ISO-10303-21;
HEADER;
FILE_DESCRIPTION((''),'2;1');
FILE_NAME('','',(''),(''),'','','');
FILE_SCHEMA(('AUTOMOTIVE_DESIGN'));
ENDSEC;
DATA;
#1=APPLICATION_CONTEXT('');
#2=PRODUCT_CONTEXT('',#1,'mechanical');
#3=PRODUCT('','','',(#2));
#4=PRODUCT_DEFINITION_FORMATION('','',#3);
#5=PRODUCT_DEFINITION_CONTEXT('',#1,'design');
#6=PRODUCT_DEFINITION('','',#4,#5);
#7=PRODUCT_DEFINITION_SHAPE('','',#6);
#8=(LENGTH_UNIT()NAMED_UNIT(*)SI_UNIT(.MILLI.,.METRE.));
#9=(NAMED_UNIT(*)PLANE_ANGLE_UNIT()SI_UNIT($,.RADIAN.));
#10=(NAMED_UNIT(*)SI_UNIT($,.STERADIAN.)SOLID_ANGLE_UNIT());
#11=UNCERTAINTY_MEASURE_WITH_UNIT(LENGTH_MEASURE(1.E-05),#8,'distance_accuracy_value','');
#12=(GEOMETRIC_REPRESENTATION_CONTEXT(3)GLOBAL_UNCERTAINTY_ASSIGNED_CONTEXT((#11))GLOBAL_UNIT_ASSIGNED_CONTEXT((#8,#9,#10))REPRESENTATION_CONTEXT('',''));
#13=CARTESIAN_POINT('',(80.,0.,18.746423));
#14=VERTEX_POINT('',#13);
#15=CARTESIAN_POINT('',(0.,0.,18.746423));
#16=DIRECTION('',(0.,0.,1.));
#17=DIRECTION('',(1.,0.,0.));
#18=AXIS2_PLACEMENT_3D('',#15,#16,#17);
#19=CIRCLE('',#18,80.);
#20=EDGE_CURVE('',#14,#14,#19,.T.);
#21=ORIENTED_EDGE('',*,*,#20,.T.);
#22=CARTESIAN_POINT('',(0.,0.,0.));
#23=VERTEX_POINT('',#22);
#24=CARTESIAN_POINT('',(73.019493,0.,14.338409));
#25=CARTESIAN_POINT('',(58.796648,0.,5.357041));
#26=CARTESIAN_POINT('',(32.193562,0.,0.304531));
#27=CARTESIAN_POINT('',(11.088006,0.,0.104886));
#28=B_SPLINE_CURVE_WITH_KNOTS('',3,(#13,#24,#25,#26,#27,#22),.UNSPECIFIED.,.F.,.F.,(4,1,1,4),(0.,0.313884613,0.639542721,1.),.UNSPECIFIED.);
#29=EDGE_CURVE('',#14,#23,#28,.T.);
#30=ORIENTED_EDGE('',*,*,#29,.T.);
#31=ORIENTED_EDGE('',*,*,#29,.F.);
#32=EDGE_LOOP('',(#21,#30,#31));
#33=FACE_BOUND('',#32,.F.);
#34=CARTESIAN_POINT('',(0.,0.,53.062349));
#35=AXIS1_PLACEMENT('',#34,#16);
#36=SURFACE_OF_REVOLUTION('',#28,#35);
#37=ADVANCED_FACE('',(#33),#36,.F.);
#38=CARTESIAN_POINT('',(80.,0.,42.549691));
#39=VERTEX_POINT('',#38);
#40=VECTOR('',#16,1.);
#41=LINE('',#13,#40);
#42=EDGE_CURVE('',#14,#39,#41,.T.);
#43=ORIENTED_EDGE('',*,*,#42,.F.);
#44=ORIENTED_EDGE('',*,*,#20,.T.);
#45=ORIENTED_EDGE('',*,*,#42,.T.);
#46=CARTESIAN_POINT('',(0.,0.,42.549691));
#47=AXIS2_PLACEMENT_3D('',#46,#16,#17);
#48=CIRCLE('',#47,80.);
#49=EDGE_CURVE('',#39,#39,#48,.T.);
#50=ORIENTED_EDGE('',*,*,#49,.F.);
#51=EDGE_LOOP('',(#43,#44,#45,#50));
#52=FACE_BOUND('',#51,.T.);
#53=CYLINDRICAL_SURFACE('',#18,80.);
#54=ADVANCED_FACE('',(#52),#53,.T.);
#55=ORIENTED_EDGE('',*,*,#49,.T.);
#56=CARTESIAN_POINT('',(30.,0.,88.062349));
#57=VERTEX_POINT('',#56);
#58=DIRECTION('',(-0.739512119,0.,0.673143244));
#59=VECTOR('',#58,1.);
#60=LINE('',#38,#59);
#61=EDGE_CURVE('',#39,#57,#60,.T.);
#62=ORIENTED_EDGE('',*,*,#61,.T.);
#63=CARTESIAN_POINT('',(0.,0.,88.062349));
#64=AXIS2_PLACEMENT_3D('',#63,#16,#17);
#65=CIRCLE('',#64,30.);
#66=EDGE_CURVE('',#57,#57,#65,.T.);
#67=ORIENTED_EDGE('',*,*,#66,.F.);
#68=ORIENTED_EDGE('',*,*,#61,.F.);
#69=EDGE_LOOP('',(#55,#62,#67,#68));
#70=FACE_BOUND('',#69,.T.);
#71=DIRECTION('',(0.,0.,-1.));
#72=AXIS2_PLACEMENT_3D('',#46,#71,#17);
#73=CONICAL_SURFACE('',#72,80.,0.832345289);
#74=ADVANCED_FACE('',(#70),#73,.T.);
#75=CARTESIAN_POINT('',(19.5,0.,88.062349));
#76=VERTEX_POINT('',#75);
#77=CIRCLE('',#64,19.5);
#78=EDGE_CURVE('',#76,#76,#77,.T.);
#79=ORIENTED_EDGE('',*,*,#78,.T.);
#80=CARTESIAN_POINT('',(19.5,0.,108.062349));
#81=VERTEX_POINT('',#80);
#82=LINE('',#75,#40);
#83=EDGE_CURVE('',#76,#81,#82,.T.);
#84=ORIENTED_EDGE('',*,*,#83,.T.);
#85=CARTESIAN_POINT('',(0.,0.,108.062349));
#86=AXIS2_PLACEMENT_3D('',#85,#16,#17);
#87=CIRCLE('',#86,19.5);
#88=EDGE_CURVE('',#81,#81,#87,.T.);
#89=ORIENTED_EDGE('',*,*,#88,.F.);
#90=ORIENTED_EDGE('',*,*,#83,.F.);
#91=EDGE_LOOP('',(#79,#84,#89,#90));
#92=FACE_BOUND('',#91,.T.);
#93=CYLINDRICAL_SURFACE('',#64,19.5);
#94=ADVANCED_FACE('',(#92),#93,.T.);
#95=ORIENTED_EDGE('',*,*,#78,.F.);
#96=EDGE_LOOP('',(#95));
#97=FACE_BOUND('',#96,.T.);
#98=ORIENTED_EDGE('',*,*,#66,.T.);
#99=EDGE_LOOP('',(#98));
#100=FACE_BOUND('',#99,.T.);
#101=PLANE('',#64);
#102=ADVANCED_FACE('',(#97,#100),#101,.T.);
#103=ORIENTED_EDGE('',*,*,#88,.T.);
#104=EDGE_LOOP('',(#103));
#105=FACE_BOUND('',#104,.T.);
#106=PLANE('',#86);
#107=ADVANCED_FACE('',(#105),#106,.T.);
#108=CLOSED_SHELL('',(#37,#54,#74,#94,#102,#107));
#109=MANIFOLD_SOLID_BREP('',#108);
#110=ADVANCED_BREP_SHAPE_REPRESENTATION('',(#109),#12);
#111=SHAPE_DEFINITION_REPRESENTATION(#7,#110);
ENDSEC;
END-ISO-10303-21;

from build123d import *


with BuildPart() as f1:
    # F0 (on Front) → F1 (revolve)
    with BuildSketch(Plane.XZ):
        with BuildLine():
            Line((19.5, 108.0623489583), (0, 108.0623489583))
            Line((0, 108.0623489583), (0, 0))
            add(Edge.make_bspline(
                [(80, 18.7464226037), (73.0194932148, 14.338408724), (58.7966478818, 5.3570408138), (32.1935615261, 0.3045307406), (11.0880056096, 0.1048855237), (0, 0)],
                knots=[0, 0, 0, 0, 0.3138846129, 0.6395427209, 1, 1, 1, 1], degree=3))
            Line((80, 18.7464226037), (80, 42.5496909022))
            Line((80, 42.5496909022), (30, 88.0623489583))
            Line((30, 88.0623489583), (19.5, 88.0623489583))
            Line((19.5, 88.0623489583), (19.5, 108.0623489583))
        make_face()
    revolve(axis=Axis((0, 0, 53.0623489583), (0, 0, 1)))


solid = f1.part
